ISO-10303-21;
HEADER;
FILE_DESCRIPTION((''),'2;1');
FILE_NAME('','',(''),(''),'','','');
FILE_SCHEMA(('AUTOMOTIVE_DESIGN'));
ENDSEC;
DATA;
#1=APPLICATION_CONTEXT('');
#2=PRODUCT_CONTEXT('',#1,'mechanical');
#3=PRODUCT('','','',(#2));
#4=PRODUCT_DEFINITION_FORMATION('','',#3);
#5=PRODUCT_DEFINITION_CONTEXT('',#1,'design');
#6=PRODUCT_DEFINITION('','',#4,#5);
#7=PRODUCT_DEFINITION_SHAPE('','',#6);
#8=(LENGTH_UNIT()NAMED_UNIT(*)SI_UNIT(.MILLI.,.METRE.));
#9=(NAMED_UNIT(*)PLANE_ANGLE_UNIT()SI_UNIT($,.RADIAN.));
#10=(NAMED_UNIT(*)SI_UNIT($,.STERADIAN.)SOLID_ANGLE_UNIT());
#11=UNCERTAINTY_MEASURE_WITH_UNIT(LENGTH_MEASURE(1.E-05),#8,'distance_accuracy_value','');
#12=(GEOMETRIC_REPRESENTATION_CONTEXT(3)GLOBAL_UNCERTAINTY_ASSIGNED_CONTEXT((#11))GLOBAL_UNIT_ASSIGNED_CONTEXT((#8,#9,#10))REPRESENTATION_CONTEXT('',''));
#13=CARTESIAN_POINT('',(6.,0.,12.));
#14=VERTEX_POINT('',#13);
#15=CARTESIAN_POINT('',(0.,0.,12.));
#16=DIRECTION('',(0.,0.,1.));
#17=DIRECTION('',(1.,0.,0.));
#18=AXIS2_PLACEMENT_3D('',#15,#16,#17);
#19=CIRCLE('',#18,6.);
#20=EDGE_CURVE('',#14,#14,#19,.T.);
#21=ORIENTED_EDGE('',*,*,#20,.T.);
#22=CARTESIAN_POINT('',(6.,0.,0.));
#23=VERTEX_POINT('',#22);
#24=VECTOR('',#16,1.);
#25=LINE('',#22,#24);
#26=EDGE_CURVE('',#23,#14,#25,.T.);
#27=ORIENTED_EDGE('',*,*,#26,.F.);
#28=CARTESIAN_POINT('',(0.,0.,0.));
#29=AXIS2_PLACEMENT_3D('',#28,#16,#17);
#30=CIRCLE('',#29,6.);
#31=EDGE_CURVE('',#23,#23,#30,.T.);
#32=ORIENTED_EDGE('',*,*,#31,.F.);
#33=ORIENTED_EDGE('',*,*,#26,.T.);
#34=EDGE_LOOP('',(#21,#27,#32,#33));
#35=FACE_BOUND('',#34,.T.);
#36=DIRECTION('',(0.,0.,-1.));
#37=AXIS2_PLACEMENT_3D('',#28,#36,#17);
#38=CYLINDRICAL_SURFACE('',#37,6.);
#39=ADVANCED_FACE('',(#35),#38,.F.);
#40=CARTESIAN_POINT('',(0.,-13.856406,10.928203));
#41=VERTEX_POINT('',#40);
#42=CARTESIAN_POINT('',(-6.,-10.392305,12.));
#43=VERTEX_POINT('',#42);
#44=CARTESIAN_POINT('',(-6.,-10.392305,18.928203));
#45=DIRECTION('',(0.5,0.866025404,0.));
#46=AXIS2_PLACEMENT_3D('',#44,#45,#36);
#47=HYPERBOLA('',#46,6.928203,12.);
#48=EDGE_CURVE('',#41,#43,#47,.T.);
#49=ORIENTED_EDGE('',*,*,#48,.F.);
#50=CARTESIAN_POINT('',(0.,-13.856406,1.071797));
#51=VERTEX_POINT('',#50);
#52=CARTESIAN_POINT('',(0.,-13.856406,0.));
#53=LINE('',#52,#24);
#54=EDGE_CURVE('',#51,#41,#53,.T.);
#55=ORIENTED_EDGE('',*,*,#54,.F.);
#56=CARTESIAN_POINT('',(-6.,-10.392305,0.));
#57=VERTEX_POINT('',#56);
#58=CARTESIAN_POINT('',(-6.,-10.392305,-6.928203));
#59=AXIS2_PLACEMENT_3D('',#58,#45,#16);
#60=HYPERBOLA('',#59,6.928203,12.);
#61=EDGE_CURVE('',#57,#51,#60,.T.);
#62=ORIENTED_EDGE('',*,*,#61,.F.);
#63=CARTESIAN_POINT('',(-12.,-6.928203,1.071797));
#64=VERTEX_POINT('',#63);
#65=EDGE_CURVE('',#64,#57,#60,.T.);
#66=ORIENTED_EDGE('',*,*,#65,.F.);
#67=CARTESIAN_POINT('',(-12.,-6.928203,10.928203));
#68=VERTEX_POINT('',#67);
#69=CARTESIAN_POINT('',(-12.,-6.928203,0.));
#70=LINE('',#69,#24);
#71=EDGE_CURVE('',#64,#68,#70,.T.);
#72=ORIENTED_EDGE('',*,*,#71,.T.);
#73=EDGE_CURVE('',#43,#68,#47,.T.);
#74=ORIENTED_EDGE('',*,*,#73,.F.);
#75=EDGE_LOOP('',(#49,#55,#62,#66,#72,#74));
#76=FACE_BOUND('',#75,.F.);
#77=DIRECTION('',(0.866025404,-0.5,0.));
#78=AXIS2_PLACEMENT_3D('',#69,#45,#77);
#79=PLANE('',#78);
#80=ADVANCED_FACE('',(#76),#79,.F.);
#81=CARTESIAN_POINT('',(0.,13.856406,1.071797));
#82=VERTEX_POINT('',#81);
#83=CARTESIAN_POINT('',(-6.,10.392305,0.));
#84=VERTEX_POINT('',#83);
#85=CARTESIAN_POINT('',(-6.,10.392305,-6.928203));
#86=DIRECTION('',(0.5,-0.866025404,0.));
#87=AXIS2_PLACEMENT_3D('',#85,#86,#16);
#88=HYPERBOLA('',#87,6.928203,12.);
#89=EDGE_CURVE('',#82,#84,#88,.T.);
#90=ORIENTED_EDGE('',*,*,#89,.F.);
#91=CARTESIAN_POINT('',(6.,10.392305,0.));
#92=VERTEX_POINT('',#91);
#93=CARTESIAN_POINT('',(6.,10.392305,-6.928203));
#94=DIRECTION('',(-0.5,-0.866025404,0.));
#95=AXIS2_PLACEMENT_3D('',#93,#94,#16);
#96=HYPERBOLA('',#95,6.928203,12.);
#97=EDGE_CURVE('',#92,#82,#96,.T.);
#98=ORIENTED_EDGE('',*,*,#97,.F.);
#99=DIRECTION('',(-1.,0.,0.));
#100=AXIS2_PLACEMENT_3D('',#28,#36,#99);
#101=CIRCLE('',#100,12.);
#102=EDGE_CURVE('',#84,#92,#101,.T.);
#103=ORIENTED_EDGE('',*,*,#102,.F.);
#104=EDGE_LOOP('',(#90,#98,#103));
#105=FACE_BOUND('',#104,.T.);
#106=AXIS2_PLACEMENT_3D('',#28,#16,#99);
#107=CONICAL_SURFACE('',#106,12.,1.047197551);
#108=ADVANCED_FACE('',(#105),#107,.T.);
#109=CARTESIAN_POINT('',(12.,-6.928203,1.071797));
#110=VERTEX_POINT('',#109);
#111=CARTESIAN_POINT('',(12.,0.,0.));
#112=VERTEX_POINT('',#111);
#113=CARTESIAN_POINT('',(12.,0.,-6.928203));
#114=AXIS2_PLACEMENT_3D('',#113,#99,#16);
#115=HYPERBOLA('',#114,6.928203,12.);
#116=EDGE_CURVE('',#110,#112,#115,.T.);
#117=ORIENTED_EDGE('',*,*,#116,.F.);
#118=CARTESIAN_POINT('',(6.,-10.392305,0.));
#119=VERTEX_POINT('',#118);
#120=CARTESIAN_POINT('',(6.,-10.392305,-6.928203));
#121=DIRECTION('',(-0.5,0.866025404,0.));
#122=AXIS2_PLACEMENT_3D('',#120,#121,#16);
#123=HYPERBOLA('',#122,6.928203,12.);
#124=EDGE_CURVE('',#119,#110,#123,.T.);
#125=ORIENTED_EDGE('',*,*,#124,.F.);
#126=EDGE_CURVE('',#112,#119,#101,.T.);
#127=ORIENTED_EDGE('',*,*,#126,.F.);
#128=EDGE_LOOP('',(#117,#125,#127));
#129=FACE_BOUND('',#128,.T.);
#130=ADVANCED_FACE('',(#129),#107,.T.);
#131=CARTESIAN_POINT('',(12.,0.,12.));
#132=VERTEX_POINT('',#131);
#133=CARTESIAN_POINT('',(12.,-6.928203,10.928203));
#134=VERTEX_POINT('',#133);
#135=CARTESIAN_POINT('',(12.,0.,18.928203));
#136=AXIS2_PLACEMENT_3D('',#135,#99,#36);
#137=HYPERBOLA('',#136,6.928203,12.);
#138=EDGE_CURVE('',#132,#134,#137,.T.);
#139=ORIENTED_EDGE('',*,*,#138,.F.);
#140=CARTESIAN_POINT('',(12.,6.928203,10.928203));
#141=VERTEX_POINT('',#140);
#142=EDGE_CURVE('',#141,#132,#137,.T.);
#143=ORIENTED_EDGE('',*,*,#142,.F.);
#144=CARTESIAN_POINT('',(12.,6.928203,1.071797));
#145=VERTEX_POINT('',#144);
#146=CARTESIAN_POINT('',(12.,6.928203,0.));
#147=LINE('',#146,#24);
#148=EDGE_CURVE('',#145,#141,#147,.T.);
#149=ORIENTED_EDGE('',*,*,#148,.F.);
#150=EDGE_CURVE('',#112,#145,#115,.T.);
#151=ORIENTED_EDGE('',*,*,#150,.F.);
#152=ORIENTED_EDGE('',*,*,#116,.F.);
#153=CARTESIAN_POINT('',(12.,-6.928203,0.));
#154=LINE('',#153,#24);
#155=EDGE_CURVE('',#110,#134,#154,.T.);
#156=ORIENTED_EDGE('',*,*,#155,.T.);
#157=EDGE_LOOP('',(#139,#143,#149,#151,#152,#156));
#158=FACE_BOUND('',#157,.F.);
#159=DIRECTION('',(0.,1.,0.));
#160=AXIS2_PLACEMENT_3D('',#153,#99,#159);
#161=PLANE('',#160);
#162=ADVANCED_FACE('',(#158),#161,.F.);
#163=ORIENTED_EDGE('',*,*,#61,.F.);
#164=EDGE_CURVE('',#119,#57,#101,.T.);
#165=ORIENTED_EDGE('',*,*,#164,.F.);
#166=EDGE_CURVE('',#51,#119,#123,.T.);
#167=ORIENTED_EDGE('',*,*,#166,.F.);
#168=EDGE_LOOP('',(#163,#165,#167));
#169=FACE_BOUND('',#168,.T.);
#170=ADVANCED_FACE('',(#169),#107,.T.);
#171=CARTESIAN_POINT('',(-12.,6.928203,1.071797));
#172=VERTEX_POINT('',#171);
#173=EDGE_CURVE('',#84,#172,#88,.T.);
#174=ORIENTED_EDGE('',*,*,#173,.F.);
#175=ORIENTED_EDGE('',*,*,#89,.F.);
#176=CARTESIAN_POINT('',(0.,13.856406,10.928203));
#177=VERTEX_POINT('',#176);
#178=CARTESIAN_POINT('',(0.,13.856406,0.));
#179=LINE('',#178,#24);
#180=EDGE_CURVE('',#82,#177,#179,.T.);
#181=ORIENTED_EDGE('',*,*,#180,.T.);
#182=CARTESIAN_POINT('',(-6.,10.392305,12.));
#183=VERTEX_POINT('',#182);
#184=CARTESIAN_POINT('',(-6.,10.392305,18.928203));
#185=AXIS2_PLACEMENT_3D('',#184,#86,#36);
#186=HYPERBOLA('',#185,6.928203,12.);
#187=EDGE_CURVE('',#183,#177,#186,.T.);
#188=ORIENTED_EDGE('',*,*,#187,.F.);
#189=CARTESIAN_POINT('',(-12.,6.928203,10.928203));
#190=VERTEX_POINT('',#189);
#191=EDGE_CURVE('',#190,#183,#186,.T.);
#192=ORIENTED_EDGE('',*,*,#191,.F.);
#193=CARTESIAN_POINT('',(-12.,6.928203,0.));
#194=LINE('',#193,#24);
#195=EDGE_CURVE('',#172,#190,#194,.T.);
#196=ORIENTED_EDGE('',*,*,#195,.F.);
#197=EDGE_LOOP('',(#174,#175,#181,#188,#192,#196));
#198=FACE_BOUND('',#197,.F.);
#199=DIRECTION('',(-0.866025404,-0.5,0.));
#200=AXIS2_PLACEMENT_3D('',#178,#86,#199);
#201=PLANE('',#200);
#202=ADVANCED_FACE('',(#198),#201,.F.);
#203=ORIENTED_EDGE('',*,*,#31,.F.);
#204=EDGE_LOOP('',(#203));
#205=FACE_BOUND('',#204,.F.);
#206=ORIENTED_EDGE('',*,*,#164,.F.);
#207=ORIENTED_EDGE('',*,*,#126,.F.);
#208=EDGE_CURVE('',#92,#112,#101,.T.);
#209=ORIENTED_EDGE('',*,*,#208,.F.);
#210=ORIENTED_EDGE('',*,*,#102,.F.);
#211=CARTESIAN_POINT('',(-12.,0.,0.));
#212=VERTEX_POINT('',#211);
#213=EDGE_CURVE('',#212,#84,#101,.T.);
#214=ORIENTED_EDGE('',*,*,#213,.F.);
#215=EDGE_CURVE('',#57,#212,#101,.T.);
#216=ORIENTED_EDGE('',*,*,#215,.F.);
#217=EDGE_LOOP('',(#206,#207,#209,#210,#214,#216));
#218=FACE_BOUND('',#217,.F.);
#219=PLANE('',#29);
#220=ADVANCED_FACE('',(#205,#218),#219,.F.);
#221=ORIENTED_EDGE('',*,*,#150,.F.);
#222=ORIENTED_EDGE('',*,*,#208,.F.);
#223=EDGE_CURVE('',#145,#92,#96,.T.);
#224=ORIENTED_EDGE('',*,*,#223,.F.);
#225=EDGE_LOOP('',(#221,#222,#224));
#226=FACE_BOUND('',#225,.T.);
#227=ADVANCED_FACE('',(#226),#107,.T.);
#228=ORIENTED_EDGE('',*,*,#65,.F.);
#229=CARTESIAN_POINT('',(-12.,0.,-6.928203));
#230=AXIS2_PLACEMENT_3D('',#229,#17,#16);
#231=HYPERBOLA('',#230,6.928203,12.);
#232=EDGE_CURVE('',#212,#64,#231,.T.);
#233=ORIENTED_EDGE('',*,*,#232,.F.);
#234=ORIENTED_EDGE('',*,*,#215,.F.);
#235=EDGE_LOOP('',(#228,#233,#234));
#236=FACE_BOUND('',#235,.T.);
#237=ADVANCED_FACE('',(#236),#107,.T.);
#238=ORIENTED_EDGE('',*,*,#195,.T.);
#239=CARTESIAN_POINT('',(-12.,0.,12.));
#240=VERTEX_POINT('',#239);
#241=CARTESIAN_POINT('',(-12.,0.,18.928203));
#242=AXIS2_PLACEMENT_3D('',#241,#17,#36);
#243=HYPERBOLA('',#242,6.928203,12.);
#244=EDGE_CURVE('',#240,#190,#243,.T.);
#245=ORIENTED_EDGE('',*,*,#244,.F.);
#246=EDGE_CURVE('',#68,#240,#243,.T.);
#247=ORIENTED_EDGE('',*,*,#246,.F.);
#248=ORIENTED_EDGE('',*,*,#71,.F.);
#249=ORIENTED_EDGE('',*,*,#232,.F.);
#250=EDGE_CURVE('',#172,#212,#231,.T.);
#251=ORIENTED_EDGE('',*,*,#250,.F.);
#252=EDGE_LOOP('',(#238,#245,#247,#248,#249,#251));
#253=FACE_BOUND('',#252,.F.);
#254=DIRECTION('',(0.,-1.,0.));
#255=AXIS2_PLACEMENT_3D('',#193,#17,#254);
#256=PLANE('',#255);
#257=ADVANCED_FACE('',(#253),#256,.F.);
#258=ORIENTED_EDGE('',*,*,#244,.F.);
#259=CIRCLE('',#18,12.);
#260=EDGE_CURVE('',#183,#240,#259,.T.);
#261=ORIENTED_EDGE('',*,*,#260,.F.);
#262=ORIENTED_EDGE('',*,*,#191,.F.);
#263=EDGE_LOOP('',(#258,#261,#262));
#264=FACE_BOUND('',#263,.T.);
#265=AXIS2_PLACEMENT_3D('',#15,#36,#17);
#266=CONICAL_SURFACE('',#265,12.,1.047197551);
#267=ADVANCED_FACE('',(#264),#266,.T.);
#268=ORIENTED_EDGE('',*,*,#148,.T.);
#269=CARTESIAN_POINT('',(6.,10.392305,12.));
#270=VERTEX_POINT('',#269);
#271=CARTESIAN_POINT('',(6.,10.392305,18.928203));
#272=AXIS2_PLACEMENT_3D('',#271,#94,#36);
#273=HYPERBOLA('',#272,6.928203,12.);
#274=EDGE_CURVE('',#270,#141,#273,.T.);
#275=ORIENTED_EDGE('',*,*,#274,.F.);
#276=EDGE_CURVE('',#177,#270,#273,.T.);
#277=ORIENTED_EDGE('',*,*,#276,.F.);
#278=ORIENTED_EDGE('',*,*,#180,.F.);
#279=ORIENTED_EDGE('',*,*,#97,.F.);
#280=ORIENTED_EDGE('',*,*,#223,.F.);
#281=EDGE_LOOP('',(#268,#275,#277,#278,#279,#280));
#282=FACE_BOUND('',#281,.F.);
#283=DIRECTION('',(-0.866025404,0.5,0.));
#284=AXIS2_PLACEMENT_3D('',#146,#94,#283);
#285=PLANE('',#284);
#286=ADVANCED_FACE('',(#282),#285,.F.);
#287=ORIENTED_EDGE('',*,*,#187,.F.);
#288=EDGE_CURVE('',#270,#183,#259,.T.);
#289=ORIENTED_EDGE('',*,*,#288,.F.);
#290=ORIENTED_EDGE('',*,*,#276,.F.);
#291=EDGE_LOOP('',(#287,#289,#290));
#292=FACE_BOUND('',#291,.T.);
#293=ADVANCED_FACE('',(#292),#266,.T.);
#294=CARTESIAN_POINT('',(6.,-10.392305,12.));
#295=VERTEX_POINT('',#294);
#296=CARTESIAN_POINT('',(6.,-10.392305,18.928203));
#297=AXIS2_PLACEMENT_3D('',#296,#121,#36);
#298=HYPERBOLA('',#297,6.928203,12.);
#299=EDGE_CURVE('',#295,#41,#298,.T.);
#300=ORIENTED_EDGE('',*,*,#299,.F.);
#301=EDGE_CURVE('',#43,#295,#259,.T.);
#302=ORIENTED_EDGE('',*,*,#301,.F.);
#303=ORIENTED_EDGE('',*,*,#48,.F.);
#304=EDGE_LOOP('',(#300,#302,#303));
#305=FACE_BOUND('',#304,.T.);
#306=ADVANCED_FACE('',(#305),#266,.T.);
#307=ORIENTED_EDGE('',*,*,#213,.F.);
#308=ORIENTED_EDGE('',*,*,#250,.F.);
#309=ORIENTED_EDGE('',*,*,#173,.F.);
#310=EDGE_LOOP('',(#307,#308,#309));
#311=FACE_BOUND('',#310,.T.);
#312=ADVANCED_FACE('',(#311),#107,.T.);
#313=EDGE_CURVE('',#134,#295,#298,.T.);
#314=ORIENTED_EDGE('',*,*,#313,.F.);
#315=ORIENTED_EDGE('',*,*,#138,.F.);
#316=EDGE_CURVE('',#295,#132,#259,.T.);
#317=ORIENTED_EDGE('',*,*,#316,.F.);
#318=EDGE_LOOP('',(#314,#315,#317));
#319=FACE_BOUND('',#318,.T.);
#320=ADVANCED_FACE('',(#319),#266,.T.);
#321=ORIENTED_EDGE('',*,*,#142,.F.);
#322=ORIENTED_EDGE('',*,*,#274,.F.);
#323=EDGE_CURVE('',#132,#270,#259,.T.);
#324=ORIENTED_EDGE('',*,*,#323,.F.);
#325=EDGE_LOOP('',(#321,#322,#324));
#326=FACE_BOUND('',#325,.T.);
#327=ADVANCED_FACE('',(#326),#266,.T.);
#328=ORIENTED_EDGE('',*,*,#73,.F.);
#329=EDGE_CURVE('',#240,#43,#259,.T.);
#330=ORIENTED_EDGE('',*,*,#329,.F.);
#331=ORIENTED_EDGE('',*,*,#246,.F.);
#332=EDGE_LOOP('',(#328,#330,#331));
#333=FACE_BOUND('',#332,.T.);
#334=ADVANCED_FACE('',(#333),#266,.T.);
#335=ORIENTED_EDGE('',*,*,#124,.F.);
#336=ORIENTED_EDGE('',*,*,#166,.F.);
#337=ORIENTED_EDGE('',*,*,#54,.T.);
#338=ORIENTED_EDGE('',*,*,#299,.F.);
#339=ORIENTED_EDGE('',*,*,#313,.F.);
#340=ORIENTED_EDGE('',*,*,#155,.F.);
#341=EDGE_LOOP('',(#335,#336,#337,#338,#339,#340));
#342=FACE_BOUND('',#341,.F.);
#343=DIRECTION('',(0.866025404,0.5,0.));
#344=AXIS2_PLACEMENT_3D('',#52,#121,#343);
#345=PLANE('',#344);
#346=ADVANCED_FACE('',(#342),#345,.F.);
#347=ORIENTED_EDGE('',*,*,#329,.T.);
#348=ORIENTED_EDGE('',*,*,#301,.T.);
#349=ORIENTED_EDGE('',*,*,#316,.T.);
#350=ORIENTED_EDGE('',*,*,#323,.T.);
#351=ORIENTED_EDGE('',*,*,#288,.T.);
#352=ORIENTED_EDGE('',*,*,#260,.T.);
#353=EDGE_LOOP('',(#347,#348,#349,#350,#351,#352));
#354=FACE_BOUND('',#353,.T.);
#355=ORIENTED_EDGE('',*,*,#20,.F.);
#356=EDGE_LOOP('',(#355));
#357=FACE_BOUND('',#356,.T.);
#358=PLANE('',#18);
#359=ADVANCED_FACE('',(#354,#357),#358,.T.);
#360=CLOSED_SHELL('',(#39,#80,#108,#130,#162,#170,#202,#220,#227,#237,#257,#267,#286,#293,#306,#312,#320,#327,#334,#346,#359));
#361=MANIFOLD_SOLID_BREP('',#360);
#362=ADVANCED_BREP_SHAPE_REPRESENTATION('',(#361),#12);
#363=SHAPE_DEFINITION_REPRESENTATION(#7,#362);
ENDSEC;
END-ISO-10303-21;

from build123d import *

# Parameters (mm, degrees)
SKETCH1_R           = 6
BOSS_EXTRUDE1_DEPTH = 12
SKETCH3_OUTSIDE_W   = 154.958
SKETCH3_OUTSIDE_H   = 158.67
SKETCH3_OUTSIDE_R   = 12
CUT_EXTRUDE1_DEPTH  = 35
CUT_EXTRUDE1_DRAFT  = -60
SKETCH4_OUTSIDE_W   = 154.958
SKETCH4_OUTSIDE_H   = 158.67
SKETCH4_OUTSIDE_R   = 12
CUT_EXTRUDE2_DEPTH  = 35
CUT_EXTRUDE2_DRAFT  = -60


with BuildPart() as part:
    # Sketch1 → Boss-Extrude1 (new body)
    with BuildSketch(Plane.XY):
        Polygon((0, 13.856406461), (-12, 6.92820323), (-12, -6.92820323), (0, -13.856406461), (12, -6.92820323), (12, 6.92820323), align=None)
        Circle(SKETCH1_R, mode=Mode.SUBTRACT)
    extrude(amount=BOSS_EXTRUDE1_DEPTH)


with BuildPart() as cut_extrude1_tool:
    # Sketch3 outside → Cut-Extrude1 (with draft: the straight prism first)
    with BuildSketch(Plane(origin=(0, 0, 0), x_dir=(-1, 0, 0), z_dir=(0, 0, -1))):
        Rectangle(SKETCH3_OUTSIDE_W, SKETCH3_OUTSIDE_H)
        Circle(SKETCH3_OUTSIDE_R, mode=Mode.SUBTRACT)
    extrude(amount=-CUT_EXTRUDE1_DEPTH)
    # Cut-Extrude1: the draft: its side faces are tilted about the plane it starts from
    cut_extrude1_sides = [cut_extrude1_tool.faces().sort_by_distance(p)[0] for p in [
        (0, -79.335, 17.5),
        (-77.479, 0, 17.5),
        (0, 79.335, 17.5),
        (77.479, 0, 17.5),
        (12, 0, 17.5),
    ]]
    draft(cut_extrude1_sides, Plane(origin=(0, 0, 0), x_dir=(-1, 0, 0), z_dir=(0, 0, -1)), CUT_EXTRUDE1_DRAFT)


with BuildPart() as part_1:
    add(part.part)

    # Cut-Extrude1: cut by cut_extrude1_tool
    add(cut_extrude1_tool.part, mode=Mode.SUBTRACT)


with BuildPart() as cut_extrude2_tool:
    # Sketch4 outside → Cut-Extrude2 (with draft: the straight prism first)
    with BuildSketch(Plane.XY.offset(12)):
        Rectangle(SKETCH4_OUTSIDE_W, SKETCH4_OUTSIDE_H)
        Circle(SKETCH4_OUTSIDE_R, mode=Mode.SUBTRACT)
    extrude(amount=-CUT_EXTRUDE2_DEPTH)
    # Cut-Extrude2: the draft: its side faces are tilted about the plane it starts from
    cut_extrude2_sides = [cut_extrude2_tool.faces().sort_by_distance(p)[0] for p in [
        (0, -79.335, -5.5),
        (77.479, 0, -5.5),
        (0, 79.335, -5.5),
        (-77.479, 0, -5.5),
        (-12, 0, -5.5),
    ]]
    draft(cut_extrude2_sides, Plane.XY.offset(12), CUT_EXTRUDE2_DRAFT)


with BuildPart() as part_2:
    add(part_1.part)

    # Cut-Extrude2: cut by cut_extrude2_tool
    add(cut_extrude2_tool.part, mode=Mode.SUBTRACT)


solid = part_2.part
